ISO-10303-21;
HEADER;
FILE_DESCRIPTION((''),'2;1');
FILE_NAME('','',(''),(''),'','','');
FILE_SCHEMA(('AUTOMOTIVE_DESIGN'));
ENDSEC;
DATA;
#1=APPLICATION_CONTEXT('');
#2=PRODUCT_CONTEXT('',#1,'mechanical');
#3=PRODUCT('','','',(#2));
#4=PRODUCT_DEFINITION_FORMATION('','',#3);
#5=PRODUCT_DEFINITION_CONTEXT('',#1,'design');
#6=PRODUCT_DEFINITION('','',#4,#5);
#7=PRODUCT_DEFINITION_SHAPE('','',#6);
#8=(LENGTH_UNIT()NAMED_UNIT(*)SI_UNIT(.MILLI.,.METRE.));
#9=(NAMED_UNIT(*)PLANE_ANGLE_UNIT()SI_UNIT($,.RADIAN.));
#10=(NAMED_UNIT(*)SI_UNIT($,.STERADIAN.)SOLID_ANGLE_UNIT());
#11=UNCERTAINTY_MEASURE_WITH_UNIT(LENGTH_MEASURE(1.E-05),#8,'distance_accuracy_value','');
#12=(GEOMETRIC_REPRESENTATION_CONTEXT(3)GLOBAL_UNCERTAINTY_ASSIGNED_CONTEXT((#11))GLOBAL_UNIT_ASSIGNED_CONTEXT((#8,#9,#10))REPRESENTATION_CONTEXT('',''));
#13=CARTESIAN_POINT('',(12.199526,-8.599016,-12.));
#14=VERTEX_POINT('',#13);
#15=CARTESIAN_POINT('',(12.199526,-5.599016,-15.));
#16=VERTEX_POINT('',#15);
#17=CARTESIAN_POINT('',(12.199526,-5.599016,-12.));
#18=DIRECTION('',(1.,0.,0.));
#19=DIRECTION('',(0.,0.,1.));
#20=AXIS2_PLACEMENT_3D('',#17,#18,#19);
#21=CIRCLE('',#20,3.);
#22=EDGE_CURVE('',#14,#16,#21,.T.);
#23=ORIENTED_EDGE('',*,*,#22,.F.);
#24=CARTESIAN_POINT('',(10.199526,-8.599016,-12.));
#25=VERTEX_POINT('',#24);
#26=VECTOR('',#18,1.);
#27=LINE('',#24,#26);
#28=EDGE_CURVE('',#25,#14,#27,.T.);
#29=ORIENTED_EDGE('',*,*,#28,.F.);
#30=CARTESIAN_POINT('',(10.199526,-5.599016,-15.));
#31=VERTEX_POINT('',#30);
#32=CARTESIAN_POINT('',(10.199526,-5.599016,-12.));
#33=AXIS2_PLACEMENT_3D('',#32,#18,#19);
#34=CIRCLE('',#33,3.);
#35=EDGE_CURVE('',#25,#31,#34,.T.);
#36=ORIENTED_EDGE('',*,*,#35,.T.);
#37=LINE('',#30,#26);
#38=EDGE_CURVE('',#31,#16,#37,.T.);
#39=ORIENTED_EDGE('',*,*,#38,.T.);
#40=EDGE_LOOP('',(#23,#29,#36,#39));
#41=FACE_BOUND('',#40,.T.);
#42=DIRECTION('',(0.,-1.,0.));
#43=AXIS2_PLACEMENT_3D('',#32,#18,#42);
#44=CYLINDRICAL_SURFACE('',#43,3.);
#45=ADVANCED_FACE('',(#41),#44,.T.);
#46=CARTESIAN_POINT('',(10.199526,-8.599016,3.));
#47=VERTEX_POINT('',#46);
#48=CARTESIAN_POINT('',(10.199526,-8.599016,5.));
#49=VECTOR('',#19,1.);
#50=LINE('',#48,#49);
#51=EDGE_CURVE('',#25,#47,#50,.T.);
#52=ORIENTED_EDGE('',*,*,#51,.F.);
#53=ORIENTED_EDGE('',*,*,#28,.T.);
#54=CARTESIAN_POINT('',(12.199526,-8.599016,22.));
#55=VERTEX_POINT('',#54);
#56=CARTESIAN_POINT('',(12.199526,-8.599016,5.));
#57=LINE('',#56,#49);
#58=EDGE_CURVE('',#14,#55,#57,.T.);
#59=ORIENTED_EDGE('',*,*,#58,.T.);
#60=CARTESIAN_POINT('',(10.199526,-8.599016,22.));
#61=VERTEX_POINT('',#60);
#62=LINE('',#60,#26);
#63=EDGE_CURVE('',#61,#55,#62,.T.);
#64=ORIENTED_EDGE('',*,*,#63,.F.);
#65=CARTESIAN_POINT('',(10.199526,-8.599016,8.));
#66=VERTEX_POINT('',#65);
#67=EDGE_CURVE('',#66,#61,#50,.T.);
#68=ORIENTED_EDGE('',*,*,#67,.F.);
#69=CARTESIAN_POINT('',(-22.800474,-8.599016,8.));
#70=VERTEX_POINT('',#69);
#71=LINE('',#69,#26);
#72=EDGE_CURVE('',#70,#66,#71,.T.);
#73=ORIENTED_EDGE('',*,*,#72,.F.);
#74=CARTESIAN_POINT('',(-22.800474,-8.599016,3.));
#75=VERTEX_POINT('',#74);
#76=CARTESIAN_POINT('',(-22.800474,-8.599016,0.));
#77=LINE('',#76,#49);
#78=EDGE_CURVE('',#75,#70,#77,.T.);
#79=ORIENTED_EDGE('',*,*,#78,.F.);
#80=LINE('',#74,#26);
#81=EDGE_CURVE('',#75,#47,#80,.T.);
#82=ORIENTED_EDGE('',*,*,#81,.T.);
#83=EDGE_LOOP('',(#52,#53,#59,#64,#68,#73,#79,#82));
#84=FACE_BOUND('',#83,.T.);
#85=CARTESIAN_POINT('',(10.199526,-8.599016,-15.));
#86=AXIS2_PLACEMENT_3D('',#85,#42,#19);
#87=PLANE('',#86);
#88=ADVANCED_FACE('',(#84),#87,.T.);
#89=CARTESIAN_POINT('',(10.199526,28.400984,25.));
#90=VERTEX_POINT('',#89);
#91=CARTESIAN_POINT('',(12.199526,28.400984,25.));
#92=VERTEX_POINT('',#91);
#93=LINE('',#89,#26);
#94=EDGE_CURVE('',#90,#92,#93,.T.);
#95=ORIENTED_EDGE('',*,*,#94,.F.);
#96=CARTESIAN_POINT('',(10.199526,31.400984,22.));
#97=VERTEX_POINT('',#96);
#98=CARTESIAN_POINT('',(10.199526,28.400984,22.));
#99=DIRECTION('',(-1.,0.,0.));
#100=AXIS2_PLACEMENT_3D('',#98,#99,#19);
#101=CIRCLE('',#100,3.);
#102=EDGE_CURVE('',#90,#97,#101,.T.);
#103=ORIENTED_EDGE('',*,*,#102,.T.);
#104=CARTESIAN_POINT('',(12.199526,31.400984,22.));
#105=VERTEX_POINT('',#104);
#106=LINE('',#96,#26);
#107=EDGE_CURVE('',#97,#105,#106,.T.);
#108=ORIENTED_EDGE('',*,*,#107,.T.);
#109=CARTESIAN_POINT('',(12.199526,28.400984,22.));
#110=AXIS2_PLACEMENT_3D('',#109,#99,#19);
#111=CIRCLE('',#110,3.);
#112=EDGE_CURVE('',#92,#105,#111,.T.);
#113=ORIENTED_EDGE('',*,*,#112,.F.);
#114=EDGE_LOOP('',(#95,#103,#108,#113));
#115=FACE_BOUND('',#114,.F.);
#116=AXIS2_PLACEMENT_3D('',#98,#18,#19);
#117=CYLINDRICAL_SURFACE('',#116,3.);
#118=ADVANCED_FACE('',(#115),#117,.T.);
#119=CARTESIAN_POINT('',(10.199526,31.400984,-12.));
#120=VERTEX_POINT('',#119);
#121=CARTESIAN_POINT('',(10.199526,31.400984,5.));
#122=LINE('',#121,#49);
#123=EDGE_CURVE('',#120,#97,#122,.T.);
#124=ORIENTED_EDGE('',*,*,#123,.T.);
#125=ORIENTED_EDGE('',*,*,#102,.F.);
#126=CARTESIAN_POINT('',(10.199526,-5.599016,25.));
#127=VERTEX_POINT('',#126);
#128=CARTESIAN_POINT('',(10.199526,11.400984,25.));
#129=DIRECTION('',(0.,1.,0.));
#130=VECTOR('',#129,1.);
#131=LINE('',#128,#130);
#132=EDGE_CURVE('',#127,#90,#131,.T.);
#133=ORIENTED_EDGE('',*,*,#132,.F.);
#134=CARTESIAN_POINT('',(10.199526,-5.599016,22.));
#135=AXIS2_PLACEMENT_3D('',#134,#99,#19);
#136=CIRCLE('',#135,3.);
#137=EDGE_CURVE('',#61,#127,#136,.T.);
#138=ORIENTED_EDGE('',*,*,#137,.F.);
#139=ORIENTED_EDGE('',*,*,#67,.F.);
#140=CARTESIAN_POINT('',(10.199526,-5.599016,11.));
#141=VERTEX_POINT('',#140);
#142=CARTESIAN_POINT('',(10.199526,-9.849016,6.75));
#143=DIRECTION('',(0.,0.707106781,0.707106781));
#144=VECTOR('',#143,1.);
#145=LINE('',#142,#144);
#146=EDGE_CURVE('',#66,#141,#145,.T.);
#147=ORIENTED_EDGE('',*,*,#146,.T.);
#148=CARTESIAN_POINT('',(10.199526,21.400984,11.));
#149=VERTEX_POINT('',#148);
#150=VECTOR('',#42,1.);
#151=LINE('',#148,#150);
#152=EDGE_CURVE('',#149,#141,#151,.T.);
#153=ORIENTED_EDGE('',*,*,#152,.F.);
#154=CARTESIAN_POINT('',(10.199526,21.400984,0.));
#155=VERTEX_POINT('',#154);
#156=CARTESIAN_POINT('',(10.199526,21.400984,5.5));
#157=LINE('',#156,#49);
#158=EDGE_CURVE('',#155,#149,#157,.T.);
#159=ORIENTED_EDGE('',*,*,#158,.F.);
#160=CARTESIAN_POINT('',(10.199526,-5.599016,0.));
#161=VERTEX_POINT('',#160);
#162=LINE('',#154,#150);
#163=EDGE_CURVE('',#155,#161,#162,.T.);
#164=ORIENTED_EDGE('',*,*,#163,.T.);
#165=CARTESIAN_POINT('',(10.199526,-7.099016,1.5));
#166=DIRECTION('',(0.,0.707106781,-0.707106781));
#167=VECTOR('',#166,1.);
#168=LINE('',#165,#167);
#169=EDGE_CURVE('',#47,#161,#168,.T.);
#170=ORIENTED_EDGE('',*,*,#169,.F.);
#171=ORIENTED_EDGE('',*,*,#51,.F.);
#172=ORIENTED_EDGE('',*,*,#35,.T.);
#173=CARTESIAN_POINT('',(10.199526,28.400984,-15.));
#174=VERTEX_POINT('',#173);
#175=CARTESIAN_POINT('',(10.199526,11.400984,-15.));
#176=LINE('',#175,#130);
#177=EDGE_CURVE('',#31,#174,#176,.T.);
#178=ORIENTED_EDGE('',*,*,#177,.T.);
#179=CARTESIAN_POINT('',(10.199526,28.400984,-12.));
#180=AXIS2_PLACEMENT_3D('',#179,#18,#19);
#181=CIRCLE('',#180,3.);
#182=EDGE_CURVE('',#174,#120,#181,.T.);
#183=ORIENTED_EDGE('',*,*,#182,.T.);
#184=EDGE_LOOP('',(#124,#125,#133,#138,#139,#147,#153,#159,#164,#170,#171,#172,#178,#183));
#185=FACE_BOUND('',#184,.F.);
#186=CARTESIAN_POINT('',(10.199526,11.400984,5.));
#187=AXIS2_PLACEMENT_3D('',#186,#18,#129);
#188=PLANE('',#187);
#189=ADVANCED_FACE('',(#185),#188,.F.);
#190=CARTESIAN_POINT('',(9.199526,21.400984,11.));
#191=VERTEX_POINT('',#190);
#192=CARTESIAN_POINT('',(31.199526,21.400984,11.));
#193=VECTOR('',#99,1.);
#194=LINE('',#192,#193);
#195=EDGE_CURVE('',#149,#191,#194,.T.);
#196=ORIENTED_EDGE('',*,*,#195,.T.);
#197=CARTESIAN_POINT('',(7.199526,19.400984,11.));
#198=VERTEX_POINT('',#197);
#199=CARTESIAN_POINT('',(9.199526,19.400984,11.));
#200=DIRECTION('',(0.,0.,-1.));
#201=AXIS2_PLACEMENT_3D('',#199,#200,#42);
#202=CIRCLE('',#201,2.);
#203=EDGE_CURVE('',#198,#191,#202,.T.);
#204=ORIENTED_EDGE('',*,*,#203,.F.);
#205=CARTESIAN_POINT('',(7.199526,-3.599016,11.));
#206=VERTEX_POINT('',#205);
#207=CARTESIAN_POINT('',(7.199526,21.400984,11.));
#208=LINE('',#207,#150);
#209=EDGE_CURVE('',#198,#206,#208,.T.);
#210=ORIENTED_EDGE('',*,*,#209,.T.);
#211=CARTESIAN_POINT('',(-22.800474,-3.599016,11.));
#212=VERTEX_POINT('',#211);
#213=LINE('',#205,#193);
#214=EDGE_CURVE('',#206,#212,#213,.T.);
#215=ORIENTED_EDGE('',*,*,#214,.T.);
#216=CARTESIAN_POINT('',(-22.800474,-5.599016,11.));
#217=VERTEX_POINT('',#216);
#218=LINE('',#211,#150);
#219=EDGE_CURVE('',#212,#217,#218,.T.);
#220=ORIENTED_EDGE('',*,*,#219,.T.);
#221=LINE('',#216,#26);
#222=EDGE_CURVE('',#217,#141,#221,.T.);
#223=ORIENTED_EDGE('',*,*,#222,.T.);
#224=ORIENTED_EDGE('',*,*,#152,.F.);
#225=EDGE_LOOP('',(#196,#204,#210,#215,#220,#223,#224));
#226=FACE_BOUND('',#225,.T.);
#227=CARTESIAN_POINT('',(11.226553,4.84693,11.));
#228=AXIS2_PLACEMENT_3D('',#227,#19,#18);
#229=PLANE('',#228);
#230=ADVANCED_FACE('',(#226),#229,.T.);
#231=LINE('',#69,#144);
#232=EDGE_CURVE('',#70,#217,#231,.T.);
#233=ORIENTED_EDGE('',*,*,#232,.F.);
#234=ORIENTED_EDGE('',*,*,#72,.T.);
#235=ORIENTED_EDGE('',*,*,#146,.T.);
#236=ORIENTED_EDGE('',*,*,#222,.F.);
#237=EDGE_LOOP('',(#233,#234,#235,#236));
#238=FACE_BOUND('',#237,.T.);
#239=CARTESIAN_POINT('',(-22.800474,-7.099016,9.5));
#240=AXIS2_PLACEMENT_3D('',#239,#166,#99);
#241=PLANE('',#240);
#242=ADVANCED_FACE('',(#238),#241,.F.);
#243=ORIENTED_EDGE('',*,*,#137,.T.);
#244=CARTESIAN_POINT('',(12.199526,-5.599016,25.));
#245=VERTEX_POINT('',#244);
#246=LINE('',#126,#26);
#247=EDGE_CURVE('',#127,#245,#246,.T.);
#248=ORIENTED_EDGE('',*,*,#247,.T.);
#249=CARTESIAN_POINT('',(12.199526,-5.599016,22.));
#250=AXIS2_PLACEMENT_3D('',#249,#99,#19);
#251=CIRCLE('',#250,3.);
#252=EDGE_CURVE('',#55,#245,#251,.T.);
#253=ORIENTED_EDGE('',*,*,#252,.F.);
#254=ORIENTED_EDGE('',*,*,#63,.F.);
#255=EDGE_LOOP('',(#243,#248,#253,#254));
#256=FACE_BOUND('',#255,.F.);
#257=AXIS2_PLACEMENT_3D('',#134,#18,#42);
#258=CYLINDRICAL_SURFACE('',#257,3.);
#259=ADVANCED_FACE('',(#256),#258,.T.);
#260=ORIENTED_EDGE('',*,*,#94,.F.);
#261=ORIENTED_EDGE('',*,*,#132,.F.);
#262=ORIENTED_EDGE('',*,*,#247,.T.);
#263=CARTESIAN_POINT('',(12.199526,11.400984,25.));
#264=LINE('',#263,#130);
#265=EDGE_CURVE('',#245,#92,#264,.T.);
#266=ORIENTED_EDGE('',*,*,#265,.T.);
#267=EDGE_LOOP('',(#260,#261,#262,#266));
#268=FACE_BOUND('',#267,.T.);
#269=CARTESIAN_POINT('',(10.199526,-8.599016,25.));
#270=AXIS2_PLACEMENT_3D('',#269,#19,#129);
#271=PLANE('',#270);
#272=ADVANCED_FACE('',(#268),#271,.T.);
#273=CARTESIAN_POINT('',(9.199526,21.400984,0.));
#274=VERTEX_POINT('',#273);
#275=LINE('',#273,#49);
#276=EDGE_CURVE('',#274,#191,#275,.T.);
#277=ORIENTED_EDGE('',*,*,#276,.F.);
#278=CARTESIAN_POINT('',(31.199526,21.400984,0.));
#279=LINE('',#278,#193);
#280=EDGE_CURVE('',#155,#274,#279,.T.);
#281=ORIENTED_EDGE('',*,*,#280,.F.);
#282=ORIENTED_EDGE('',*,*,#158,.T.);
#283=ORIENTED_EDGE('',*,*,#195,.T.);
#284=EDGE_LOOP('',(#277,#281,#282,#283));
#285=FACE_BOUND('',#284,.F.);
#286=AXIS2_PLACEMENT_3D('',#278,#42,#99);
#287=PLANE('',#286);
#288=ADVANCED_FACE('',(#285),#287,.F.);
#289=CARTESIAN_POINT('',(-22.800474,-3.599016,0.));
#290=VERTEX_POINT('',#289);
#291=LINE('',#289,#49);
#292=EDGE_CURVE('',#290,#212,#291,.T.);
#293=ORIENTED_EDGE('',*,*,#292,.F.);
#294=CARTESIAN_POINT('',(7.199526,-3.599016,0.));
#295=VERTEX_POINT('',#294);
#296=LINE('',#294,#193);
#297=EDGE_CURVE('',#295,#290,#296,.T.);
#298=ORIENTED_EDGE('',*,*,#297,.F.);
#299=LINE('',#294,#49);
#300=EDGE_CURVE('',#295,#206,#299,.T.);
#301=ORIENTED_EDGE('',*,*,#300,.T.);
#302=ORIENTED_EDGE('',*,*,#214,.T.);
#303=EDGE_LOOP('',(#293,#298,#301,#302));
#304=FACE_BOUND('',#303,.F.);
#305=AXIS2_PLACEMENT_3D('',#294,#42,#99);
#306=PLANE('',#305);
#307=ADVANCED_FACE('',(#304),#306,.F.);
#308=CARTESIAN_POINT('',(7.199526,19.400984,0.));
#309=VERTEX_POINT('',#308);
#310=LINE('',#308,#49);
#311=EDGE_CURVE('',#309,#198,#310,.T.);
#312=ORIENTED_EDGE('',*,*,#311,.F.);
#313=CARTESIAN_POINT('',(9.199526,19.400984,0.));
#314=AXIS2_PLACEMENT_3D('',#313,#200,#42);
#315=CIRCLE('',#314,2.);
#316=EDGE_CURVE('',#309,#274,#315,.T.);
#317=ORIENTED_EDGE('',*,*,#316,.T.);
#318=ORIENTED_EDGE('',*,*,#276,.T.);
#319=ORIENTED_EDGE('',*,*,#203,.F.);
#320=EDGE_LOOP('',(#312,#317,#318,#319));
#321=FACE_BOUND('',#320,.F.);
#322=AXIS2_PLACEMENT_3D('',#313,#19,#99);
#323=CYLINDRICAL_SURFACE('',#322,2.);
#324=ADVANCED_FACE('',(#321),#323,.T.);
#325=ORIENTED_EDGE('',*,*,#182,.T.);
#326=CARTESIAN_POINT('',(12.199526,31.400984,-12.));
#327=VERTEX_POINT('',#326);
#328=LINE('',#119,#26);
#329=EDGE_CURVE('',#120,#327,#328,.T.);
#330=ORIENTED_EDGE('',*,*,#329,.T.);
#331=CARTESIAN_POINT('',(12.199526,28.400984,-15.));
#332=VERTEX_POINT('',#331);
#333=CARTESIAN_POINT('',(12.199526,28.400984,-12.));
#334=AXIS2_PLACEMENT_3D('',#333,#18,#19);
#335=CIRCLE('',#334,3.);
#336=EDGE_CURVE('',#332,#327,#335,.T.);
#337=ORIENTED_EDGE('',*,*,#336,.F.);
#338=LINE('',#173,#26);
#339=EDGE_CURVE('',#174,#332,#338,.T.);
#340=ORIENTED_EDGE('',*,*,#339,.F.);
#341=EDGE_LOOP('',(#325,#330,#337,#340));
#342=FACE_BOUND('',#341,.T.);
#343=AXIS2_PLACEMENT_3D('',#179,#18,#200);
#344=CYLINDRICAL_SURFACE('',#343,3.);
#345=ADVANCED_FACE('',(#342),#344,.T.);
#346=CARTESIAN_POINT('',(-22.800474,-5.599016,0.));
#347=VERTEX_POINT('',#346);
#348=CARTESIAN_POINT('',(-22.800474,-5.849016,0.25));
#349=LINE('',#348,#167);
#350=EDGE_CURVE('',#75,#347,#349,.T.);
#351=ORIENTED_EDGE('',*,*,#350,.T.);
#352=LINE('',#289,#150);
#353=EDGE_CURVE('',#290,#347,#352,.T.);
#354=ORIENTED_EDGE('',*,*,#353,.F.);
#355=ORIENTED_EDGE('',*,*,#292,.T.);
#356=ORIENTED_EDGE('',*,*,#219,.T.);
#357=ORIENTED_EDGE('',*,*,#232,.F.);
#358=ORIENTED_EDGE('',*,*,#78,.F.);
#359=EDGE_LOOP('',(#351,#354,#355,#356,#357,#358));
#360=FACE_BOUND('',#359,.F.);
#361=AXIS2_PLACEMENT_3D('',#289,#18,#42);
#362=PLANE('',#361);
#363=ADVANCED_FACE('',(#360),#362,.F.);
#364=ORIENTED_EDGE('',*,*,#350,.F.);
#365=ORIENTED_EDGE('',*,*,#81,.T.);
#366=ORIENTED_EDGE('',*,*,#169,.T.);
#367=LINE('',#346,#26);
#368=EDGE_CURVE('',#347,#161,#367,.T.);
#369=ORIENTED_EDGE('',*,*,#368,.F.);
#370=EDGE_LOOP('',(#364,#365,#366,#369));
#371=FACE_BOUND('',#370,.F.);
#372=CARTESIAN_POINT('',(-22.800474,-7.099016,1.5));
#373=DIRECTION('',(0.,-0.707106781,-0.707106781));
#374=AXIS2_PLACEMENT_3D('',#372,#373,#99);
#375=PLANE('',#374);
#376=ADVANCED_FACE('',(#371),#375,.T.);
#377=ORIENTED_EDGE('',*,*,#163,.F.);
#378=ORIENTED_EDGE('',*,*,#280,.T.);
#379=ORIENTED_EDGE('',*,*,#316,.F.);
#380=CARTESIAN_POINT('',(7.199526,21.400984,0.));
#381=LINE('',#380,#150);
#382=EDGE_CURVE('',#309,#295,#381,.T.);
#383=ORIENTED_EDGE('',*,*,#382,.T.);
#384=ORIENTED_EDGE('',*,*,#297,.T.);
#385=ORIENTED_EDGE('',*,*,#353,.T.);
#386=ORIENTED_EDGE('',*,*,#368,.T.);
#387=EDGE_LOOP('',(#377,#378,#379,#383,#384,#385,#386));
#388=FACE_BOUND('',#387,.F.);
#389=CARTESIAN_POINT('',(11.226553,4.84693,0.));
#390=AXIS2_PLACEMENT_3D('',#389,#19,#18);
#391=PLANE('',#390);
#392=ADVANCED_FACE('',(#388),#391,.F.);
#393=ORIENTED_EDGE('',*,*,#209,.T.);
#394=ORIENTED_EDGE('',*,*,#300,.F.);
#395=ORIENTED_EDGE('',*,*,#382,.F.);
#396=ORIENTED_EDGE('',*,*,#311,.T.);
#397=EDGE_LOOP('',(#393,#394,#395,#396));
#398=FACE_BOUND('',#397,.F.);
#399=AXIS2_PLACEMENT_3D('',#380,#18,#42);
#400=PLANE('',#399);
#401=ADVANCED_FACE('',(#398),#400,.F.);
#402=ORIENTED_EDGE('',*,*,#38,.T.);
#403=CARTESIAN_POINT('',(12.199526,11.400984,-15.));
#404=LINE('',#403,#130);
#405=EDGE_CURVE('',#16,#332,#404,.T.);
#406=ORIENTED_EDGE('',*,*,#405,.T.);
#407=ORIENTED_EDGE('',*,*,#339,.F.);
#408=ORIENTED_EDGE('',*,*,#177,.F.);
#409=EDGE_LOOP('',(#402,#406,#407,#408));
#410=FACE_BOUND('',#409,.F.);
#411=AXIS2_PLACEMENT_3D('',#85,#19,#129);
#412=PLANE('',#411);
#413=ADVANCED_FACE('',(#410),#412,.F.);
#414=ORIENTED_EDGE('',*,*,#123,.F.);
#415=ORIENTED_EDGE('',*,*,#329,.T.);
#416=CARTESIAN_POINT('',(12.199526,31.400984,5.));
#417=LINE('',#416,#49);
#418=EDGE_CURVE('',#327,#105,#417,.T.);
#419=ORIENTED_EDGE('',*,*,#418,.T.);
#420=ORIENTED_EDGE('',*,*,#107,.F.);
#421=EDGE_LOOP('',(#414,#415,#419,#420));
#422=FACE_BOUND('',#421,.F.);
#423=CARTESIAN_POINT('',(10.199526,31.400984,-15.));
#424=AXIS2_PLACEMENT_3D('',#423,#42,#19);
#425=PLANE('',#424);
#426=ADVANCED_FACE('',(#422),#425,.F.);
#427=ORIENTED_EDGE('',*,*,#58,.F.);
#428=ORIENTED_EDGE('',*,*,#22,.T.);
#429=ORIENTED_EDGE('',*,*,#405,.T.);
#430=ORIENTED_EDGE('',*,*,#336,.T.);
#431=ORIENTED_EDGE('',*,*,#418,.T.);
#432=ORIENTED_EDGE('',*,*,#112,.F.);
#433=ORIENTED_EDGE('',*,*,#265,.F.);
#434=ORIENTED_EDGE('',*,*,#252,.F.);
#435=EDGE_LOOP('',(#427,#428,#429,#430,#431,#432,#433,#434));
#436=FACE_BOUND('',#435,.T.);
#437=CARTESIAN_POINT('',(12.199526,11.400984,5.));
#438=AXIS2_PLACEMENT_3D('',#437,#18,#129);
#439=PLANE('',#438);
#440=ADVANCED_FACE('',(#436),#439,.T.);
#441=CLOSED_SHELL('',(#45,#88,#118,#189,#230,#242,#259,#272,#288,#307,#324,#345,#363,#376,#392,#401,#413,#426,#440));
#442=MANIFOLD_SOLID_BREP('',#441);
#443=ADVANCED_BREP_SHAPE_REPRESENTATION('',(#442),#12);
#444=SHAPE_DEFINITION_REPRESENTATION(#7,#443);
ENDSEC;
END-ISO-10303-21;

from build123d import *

# Parameters (mm, degrees)
PAD_DEPTH    = 11
CHAMFER_SIZE = 3
FILLET_R     = 2
SKETCH001_W  = 39.802324
SKETCH001_H  = 56.00523
POCKET_DEPTH = 50
SKETCH002_W  = 40
SKETCH002_H  = 40
PAD001_DEPTH = 2
FILLET001_R  = 3


with BuildPart() as part:
    # Sketch → Pad (new body)
    with BuildSketch(Plane.XY):
        Polygon((-22.800474, -3.599016), (-22.800474, -8.599016), (10.199526, -8.599016), (10.199526, 18.400984), (28.199526, 18.400984), (28.199526, -8.599016), (31.199526, -8.599016), (31.199526, 21.400984), (7.199526, 21.400984), (7.199526, -3.599016), align=None)
    extrude(amount=PAD_DEPTH)

    # Chamfer
    chamfer_edges = [part.edges().sort_by_distance(p)[0] for p in [
        (-6.300474, -8.599016, 0),
        (-6.300474, -8.599016, 11),
    ]]
    chamfer(chamfer_edges, length=CHAMFER_SIZE)

    # Fillet
    fillet_edges = [part.edges().sort_by_distance(p)[0] for p in [
        (31.199526, 21.400984, 5.5),
        (7.199526, 21.400984, 5.5),
    ]]
    fillet(fillet_edges, radius=FILLET_R)

    # Sketch001 (on Face14 of Fillet) → Pocket (cut)
    with BuildSketch(Plane.XY.offset(11)):
        with Locations((30.100688, 5.3986)):
            Rectangle(SKETCH001_W, SKETCH001_H)
    extrude(amount=-POCKET_DEPTH, mode=Mode.SUBTRACT)

    # Sketch002 (on Face5 of Pocket) → Pad001 (join)
    with BuildSketch(Plane.YZ.offset(10.199526)):
        with Locations((11.400984, 5)):
            Rectangle(SKETCH002_W, SKETCH002_H)
    extrude(amount=PAD001_DEPTH)

    # Fillet001
    fillet001_edges = [part.edges().sort_by_distance(p)[0] for p in [
        (11.199526, 31.400984, 25),
        (11.199526, 31.400984, -15),
        (11.199526, -8.599016, -15),
        (11.199526, -8.599016, 25),
    ]]
    fillet(fillet001_edges, radius=FILLET001_R)


solid = part.part
